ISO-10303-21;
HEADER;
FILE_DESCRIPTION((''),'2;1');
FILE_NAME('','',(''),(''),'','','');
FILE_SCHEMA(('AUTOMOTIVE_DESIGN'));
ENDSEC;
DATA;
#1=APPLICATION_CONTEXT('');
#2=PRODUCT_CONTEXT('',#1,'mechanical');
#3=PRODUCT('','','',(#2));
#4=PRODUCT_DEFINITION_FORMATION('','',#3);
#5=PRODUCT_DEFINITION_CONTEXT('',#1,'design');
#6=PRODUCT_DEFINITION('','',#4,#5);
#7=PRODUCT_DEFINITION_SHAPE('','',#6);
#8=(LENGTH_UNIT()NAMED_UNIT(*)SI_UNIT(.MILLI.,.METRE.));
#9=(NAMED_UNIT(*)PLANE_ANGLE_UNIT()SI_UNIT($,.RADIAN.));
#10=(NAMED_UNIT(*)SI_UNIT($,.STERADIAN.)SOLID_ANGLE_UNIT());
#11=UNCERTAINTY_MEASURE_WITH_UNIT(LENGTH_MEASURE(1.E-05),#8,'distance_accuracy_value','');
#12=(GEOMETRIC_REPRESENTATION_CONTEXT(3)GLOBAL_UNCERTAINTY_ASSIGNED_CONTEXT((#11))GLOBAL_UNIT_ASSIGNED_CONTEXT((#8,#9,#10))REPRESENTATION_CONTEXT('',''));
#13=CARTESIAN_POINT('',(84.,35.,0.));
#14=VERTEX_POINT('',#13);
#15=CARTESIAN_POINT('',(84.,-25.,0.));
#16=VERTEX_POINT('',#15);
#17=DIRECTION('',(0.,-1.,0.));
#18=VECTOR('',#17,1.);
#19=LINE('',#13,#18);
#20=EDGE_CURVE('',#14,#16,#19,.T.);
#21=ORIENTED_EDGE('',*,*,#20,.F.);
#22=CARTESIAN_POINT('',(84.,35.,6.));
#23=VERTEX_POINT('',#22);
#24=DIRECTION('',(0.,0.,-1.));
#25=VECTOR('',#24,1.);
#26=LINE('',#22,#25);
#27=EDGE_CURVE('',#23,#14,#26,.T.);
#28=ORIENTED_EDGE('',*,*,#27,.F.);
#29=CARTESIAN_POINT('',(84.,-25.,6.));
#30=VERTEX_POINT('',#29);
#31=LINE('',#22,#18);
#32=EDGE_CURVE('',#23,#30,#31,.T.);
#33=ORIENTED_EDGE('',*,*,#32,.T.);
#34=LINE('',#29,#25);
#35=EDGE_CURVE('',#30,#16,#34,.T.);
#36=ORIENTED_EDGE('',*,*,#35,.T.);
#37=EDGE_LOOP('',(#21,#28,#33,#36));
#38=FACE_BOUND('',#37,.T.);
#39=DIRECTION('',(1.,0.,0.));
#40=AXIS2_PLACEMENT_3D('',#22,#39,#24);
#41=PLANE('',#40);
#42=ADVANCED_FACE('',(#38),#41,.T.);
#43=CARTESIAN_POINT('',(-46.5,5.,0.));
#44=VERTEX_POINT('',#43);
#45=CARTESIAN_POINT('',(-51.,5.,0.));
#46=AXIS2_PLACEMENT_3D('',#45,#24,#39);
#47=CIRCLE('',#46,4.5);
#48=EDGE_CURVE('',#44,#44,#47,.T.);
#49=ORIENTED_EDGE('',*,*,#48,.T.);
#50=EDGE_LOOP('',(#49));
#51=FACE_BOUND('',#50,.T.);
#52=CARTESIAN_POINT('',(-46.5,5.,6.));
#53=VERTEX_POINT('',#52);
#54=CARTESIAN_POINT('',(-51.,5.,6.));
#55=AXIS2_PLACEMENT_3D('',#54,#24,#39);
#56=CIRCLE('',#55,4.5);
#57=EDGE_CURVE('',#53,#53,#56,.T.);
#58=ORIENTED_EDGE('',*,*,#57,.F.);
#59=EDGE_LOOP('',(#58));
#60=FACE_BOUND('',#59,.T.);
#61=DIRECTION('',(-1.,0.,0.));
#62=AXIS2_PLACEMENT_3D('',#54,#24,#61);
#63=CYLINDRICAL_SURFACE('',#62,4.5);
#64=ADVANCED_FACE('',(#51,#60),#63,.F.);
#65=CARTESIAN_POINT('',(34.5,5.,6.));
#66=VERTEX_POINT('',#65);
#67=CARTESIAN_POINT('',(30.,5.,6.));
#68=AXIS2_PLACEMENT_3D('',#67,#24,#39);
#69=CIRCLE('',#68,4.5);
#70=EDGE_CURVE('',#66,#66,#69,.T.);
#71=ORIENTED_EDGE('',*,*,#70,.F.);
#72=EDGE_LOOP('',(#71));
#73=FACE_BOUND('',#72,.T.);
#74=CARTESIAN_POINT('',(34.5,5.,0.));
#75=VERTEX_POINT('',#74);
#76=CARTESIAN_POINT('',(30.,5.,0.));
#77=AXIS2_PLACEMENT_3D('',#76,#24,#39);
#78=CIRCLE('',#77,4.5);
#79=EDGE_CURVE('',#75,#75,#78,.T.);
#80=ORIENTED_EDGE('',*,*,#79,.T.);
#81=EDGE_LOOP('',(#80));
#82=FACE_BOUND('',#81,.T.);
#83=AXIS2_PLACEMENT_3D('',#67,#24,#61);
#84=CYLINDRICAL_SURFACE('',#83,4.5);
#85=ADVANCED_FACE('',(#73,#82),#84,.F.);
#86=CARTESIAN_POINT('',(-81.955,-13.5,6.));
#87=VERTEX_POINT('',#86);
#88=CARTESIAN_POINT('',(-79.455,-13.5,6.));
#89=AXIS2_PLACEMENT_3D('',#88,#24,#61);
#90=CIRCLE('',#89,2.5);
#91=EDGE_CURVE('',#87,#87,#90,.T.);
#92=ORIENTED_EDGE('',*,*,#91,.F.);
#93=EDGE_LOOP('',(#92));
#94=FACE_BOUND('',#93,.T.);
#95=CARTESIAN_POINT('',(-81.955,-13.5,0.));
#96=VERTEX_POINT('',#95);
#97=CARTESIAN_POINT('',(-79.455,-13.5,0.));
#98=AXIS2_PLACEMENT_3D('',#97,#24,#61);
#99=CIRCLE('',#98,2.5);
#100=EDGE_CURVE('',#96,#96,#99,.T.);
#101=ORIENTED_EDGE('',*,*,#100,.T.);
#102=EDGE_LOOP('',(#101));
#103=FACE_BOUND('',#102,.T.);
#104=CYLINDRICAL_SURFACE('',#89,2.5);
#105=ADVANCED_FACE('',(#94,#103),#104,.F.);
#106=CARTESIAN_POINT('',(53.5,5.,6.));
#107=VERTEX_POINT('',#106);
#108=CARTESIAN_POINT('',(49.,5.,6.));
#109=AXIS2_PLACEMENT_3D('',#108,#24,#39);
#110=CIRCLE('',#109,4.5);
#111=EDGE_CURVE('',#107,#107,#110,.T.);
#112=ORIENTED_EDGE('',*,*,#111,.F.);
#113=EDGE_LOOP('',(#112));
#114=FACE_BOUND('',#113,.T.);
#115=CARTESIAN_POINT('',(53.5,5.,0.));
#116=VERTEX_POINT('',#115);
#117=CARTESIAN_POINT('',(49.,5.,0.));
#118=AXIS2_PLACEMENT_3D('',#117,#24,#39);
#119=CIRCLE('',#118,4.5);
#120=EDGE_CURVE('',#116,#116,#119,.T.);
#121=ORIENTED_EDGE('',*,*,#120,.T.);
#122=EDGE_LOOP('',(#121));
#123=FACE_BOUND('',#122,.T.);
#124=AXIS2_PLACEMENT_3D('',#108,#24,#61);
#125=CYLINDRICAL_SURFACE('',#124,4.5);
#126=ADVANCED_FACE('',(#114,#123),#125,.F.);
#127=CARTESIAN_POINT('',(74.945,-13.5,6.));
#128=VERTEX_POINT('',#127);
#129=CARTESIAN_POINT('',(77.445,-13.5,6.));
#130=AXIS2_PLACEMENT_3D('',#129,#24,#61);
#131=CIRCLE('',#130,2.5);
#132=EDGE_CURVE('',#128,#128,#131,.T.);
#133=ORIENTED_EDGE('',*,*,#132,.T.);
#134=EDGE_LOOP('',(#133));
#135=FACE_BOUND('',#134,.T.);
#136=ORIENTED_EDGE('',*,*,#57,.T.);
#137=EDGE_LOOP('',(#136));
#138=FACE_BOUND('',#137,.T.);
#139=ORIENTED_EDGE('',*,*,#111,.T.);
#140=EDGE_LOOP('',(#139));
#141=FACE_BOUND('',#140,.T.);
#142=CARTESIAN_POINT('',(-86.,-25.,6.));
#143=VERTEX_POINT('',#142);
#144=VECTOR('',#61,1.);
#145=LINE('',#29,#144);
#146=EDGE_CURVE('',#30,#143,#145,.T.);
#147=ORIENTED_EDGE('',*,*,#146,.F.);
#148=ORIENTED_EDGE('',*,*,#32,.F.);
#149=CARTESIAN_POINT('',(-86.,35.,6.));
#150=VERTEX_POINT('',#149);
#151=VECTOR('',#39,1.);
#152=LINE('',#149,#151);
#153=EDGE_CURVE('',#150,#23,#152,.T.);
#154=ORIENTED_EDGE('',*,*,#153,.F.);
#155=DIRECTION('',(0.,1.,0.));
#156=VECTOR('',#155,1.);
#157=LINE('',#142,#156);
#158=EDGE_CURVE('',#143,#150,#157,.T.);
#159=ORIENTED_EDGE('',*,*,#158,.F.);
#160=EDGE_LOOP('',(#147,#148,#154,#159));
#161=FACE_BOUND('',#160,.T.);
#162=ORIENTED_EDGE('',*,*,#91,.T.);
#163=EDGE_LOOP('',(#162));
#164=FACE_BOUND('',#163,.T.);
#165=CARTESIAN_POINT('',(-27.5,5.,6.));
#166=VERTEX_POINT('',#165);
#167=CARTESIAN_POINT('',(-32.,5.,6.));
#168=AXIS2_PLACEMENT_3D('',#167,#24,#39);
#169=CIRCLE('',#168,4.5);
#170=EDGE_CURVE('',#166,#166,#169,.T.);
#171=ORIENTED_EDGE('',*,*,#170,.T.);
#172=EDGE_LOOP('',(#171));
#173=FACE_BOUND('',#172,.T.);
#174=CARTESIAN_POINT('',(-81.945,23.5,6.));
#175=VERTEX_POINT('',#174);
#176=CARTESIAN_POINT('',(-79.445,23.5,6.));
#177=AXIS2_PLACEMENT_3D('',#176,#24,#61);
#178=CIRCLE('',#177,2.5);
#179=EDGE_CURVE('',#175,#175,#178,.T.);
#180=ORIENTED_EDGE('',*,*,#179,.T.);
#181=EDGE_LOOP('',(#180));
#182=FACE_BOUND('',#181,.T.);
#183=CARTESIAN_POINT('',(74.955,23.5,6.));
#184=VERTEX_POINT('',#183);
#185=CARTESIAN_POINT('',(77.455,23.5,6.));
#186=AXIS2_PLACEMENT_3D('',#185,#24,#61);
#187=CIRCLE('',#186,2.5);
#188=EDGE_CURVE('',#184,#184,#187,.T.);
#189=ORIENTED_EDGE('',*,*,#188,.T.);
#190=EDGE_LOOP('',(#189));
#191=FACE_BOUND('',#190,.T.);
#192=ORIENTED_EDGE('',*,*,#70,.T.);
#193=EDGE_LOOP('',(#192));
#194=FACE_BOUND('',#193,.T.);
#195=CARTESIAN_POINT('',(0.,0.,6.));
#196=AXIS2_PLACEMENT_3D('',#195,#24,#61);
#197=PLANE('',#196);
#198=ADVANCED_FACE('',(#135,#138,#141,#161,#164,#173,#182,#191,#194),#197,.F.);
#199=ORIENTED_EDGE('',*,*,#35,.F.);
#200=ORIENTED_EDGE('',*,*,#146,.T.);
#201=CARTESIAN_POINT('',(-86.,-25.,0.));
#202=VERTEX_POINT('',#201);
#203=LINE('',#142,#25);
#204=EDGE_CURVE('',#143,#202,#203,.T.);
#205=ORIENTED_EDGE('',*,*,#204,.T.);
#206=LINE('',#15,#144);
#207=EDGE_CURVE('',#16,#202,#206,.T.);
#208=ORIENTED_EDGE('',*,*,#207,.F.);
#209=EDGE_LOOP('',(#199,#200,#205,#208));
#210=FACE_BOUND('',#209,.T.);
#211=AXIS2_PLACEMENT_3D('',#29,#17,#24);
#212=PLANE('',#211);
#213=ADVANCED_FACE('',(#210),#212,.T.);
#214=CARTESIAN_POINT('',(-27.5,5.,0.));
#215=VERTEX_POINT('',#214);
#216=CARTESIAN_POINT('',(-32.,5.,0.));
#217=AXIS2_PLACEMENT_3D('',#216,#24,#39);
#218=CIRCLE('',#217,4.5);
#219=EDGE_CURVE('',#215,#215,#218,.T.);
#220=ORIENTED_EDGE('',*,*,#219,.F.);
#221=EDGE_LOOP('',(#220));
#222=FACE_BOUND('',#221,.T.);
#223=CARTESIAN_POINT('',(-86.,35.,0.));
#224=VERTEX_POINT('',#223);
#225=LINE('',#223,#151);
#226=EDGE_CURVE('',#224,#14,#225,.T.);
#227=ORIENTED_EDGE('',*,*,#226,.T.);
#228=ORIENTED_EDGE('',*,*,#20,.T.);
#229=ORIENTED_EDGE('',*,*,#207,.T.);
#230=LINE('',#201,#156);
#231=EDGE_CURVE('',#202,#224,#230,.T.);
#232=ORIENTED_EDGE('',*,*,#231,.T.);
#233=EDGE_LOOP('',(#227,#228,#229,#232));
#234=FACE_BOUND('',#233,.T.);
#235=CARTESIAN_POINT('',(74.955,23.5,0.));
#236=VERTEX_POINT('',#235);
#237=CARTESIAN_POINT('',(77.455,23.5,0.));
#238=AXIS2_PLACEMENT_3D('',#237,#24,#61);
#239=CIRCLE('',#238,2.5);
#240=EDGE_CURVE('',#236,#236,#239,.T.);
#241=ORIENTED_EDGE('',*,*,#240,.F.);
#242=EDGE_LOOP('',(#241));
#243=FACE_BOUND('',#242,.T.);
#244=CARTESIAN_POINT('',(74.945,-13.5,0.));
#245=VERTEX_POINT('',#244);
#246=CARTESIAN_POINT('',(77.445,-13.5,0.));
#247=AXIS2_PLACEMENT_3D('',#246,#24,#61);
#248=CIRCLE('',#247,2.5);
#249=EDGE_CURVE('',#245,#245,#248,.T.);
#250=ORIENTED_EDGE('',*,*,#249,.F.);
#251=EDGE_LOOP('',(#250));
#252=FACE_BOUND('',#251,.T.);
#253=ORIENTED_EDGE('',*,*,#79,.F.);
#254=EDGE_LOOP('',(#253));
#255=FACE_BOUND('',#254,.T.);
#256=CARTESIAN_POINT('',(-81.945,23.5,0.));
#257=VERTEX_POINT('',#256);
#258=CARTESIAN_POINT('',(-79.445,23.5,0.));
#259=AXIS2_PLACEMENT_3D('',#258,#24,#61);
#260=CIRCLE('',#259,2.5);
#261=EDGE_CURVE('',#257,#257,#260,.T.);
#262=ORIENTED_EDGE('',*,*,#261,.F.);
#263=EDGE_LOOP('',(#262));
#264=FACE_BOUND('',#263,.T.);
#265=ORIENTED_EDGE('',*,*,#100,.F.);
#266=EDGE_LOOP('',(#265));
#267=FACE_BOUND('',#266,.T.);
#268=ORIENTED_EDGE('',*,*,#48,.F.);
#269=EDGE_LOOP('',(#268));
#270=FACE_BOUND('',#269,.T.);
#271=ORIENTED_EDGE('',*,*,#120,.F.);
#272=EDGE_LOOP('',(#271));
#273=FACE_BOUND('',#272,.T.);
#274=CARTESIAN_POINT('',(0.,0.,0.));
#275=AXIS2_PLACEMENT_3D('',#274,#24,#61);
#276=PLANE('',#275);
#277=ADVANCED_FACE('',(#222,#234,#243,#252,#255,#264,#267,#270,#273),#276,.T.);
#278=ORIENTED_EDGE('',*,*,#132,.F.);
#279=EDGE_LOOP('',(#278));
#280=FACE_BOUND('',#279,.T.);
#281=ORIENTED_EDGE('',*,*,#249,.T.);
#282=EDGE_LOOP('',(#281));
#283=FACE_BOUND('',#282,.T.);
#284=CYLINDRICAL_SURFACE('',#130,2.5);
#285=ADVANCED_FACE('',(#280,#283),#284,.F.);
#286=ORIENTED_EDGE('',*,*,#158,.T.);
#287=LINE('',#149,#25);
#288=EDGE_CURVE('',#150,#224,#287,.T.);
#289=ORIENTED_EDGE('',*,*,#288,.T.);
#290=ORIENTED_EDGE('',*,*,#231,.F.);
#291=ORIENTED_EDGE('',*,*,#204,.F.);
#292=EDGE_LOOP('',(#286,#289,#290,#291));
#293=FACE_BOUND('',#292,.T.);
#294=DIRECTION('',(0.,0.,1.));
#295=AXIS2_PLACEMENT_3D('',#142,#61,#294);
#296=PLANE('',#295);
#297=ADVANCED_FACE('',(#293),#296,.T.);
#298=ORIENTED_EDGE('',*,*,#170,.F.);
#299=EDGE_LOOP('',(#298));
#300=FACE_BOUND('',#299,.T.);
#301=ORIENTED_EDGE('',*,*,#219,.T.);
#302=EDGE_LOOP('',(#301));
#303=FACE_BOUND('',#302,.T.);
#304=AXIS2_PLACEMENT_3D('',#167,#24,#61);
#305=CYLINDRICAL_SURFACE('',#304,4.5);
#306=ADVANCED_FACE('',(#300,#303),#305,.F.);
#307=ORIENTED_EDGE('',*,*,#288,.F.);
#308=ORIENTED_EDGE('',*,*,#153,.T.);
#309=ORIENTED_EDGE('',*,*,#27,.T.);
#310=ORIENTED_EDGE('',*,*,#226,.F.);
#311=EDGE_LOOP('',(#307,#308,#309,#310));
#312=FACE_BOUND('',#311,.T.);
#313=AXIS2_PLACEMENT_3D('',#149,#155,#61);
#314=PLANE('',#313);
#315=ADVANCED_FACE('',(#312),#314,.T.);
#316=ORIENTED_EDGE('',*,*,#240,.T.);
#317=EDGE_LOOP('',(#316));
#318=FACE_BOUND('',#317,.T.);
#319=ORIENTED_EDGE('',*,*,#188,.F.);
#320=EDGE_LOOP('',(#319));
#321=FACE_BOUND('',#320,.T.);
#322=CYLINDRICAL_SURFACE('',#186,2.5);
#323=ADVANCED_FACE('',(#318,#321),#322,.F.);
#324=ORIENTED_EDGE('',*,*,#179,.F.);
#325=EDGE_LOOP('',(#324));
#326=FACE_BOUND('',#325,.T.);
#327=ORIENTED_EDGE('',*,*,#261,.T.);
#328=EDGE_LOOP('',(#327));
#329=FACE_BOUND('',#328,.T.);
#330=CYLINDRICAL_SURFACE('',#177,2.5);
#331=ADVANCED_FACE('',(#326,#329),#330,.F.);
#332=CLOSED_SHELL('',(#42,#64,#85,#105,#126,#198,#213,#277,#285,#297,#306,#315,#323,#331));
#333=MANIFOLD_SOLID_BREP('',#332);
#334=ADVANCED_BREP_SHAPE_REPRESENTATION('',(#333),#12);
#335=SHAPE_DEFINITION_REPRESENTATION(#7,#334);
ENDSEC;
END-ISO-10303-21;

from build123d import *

# Parameters (mm, degrees)
SKETCH1_W           = 170
SKETCH1_H           = 60
SKETCH1_R           = 4.5
SKETCH1_R_2         = 2.5
BOSS_EXTRUDE1_DEPTH = 6


with BuildPart() as part:
    # Sketch1 → Boss-Extrude1 (new body)
    with BuildSketch(Plane(origin=(0, 0, 0), x_dir=(-1, 0, 0), z_dir=(0, 0, -1))):
        with Locations((1, 5)):
            Rectangle(SKETCH1_W, SKETCH1_H)
        with Locations(Location((-30, 5, 0), (0, 0, 180))):
            Circle(SKETCH1_R, mode=Mode.SUBTRACT)
        with Locations(Location((-49, 5, 0), (0, 0, 180))):
            Circle(SKETCH1_R, mode=Mode.SUBTRACT)
        with Locations(Location((32, 5, 0), (0, 0, 180))):
            Circle(SKETCH1_R, mode=Mode.SUBTRACT)
        with Locations(Location((51, 5, 0), (0, 0, 180))):
            Circle(SKETCH1_R, mode=Mode.SUBTRACT)
        with Locations((79.445, 23.5)):
            Circle(SKETCH1_R_2, mode=Mode.SUBTRACT)
        with Locations((79.455, -13.5)):
            Circle(SKETCH1_R_2, mode=Mode.SUBTRACT)
        with Locations((-77.445, -13.5)):
            Circle(SKETCH1_R_2, mode=Mode.SUBTRACT)
        with Locations((-77.455, 23.5)):
            Circle(SKETCH1_R_2, mode=Mode.SUBTRACT)
    extrude(amount=-BOSS_EXTRUDE1_DEPTH)


solid = part.part
